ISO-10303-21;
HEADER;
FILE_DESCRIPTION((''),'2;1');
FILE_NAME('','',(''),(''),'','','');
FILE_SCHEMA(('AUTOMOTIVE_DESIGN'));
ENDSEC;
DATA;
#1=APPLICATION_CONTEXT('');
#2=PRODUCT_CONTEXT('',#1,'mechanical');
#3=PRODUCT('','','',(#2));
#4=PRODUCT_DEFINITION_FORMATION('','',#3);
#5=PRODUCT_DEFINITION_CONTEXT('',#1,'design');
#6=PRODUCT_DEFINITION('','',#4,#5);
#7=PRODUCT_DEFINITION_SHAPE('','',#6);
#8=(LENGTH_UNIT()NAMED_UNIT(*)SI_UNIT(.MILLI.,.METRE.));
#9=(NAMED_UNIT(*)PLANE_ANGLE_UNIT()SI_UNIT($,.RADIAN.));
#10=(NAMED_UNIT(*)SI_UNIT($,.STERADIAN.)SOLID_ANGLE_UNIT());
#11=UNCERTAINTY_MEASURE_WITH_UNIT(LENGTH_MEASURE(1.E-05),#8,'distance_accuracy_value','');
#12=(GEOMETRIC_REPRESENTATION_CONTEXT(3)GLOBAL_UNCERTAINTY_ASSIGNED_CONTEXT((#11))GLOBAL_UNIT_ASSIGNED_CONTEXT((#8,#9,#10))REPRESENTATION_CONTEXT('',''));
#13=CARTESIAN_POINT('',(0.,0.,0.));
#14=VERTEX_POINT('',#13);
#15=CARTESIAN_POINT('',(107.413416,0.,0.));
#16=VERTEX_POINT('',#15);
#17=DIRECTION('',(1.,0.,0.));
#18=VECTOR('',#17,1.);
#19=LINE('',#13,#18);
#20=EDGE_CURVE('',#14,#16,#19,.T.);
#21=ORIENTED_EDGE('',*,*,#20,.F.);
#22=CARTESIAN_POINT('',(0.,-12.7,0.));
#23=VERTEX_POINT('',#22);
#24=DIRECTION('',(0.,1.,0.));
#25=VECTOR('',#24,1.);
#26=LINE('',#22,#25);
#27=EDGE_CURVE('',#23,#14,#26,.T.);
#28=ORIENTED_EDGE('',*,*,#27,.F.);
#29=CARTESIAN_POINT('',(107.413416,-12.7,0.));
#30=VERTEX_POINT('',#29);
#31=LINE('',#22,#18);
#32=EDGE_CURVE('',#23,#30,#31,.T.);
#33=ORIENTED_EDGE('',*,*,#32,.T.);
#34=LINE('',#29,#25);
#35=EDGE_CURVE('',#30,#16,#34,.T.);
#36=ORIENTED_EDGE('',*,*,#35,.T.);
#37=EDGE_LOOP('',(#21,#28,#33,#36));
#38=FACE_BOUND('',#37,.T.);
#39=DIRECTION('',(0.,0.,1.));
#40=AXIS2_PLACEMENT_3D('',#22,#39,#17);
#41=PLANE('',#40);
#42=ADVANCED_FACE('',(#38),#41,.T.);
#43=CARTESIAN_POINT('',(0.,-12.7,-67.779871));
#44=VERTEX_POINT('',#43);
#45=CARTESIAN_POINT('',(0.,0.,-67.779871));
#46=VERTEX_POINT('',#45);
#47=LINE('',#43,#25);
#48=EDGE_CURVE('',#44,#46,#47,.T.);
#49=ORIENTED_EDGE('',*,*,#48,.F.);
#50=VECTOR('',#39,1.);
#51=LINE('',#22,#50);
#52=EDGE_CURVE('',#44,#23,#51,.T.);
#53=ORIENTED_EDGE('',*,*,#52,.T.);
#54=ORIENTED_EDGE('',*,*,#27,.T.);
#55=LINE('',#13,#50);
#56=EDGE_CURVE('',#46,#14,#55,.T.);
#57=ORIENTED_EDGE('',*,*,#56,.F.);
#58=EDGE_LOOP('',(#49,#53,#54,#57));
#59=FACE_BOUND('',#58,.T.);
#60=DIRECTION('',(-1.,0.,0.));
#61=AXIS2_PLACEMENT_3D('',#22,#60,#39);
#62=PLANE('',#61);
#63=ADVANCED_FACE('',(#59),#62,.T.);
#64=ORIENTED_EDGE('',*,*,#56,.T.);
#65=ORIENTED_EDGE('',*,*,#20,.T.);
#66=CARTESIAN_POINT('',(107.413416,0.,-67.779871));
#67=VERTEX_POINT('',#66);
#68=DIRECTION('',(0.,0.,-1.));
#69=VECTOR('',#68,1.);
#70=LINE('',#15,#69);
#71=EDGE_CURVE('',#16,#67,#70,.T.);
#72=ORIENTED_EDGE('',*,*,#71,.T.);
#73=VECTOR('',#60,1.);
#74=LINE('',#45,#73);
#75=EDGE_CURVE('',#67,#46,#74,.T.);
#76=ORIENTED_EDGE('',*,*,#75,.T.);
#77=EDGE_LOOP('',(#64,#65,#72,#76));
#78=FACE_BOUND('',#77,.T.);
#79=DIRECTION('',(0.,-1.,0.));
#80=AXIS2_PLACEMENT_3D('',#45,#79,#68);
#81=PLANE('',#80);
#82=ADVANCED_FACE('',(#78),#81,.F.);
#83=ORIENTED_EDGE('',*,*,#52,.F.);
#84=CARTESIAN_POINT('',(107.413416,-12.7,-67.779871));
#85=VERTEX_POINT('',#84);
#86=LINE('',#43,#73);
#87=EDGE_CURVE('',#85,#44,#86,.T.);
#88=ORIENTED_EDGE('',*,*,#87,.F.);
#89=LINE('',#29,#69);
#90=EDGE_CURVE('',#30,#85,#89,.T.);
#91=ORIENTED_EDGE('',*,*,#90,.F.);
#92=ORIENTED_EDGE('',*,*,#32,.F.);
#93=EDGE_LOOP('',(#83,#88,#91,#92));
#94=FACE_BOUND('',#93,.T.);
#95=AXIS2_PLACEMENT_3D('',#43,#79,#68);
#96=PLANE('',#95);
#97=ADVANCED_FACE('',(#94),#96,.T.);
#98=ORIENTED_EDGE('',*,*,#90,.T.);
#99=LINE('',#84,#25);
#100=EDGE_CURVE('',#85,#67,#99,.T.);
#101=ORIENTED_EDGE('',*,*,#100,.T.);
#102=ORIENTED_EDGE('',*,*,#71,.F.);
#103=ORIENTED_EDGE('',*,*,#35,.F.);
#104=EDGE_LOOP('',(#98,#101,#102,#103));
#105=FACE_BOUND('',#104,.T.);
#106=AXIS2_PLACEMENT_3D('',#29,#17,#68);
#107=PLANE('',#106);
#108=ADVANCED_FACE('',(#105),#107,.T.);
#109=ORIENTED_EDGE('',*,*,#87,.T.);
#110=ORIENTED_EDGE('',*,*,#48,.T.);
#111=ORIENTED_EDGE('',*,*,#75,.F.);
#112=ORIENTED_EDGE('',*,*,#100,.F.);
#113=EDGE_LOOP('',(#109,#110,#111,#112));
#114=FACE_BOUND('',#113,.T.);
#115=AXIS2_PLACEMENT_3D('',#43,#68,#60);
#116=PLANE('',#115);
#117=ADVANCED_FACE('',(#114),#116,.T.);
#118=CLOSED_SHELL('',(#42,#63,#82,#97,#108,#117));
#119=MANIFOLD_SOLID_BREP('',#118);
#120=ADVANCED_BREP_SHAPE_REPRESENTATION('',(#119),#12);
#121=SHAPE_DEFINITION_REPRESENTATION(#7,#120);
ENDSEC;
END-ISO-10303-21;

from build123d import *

# Parameters (mm, degrees)
SKETCH2_W      = 107.413416435
SKETCH2_H      = 67.779871235
EXTRUDE2_DEPTH = 12.7


with BuildPart() as part:
    # Sketch2 → Extrude2 (new body)
    with BuildSketch(Plane(origin=(0, 0, 0), x_dir=(1, 0, 0), z_dir=(0, 1, 0))):
        with Locations((53.706708218, 33.889935618)):
            Rectangle(SKETCH2_W, SKETCH2_H)
    extrude(amount=-EXTRUDE2_DEPTH)


solid = part.part
